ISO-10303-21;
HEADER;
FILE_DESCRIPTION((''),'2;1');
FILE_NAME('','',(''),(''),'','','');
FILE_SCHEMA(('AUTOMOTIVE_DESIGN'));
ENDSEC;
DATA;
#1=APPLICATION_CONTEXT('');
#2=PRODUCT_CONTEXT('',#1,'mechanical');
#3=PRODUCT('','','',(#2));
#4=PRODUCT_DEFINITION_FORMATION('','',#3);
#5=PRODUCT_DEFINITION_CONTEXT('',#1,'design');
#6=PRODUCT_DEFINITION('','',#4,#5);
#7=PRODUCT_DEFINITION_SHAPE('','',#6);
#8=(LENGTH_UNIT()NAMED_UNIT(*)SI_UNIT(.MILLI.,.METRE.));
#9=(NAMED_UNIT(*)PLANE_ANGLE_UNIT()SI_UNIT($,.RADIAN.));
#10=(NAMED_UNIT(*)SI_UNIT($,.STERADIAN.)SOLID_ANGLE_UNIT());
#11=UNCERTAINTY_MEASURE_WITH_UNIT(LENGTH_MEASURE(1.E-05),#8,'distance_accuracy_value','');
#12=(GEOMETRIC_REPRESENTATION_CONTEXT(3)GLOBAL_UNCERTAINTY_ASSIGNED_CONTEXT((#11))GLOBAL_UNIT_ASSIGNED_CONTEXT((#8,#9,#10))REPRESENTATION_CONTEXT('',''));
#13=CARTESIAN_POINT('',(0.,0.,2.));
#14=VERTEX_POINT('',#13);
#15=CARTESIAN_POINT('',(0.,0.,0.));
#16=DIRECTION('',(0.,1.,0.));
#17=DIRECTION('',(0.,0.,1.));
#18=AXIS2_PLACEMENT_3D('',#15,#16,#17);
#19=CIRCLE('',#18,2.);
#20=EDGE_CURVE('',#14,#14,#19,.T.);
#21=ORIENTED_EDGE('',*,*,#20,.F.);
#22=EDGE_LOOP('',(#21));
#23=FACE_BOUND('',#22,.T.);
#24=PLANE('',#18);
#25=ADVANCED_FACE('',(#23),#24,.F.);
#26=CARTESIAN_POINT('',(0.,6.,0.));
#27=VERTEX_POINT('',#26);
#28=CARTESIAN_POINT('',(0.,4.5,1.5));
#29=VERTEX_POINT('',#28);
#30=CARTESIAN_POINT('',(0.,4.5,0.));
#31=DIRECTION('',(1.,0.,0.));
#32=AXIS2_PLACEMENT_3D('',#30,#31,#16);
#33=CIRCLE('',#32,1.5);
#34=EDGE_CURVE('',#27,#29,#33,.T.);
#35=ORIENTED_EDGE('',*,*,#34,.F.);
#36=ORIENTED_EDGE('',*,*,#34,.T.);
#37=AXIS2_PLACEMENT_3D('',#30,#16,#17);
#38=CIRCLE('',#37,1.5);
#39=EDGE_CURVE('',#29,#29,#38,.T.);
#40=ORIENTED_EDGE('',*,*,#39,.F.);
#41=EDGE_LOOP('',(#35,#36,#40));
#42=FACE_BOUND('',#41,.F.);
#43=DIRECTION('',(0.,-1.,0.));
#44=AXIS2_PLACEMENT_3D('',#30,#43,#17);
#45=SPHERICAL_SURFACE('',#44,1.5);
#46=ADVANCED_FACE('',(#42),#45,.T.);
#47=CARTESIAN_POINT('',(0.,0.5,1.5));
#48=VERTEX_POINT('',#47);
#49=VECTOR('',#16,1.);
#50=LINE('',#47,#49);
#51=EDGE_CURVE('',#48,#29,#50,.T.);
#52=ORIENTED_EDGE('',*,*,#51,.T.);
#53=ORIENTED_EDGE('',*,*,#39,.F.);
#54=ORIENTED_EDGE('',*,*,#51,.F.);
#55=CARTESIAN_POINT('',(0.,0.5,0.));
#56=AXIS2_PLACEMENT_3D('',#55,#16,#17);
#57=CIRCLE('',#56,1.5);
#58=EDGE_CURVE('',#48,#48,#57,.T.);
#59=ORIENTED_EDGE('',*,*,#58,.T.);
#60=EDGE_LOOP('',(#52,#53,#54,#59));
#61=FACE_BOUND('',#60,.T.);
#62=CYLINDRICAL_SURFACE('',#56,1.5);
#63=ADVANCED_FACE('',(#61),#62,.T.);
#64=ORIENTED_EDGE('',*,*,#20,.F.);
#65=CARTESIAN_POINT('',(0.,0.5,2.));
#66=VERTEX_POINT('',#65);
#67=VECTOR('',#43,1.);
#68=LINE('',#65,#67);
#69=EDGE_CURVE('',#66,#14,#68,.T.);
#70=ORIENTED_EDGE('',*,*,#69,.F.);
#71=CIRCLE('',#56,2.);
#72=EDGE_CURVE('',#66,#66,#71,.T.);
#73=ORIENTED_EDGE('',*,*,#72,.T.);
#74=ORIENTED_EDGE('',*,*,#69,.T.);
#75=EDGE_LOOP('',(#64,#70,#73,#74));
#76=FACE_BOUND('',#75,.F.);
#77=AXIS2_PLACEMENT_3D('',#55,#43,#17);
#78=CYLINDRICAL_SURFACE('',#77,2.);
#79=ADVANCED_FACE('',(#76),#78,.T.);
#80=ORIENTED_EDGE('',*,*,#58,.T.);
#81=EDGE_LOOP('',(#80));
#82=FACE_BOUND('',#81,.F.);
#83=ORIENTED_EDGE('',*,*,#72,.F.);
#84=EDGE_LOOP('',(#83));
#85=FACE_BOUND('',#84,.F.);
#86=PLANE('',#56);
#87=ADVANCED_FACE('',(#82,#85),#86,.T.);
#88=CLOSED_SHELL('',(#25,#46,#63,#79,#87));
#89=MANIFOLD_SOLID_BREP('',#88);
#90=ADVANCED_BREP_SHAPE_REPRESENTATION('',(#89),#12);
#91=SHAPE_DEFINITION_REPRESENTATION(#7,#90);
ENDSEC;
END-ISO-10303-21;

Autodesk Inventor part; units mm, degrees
ref_plane "YZ Plane" through (0, 0, 0) normal (1, 0, 0) x (0, 1, 0)
ref_plane "XZ Plane" through (0, 0, 0) normal (0, 1, 0) x (-1, 0, 0)
ref_plane "XY Plane" through (0, 0, 0) normal (0, 0, 1) x (1, 0, 0)
sketch "Skizze4" plane through (0, 0, 0) normal (1, 0, 0) x (0, 1, 0)
  line L0 (-1.2621, 0) -> (7.5728, 0) projected
  line L1 (0, 0) -> (0, 2)
  line L2 (0.5, 1.5) -> (4.5, 1.5)
  arc A0 (6, 0) -> (4.5, 1.5) centre (4.5, 0) ccw
  line L3 (0, 0) -> (6, 0)
  line L4 (0, -0.4) -> (0, 2.4) construction
  line L5 (0.5, 1.5) -> (0.5, 2)
  line L6 (0.5, 2) -> (0, 2)
  dimension "d4" = 3
  dimension "d5" = 6
  dimension "d7" = 0.5
  dimension "d8" = 0.5
revolve "Umdrehung1" add sketch "Skizze4" angle 360 about axis through (0, -10, 0) along (0, 1, 0)
equation "\"d7\" = d8"
properties part number "Photodiodendummie" material "Kst - PEEK"
